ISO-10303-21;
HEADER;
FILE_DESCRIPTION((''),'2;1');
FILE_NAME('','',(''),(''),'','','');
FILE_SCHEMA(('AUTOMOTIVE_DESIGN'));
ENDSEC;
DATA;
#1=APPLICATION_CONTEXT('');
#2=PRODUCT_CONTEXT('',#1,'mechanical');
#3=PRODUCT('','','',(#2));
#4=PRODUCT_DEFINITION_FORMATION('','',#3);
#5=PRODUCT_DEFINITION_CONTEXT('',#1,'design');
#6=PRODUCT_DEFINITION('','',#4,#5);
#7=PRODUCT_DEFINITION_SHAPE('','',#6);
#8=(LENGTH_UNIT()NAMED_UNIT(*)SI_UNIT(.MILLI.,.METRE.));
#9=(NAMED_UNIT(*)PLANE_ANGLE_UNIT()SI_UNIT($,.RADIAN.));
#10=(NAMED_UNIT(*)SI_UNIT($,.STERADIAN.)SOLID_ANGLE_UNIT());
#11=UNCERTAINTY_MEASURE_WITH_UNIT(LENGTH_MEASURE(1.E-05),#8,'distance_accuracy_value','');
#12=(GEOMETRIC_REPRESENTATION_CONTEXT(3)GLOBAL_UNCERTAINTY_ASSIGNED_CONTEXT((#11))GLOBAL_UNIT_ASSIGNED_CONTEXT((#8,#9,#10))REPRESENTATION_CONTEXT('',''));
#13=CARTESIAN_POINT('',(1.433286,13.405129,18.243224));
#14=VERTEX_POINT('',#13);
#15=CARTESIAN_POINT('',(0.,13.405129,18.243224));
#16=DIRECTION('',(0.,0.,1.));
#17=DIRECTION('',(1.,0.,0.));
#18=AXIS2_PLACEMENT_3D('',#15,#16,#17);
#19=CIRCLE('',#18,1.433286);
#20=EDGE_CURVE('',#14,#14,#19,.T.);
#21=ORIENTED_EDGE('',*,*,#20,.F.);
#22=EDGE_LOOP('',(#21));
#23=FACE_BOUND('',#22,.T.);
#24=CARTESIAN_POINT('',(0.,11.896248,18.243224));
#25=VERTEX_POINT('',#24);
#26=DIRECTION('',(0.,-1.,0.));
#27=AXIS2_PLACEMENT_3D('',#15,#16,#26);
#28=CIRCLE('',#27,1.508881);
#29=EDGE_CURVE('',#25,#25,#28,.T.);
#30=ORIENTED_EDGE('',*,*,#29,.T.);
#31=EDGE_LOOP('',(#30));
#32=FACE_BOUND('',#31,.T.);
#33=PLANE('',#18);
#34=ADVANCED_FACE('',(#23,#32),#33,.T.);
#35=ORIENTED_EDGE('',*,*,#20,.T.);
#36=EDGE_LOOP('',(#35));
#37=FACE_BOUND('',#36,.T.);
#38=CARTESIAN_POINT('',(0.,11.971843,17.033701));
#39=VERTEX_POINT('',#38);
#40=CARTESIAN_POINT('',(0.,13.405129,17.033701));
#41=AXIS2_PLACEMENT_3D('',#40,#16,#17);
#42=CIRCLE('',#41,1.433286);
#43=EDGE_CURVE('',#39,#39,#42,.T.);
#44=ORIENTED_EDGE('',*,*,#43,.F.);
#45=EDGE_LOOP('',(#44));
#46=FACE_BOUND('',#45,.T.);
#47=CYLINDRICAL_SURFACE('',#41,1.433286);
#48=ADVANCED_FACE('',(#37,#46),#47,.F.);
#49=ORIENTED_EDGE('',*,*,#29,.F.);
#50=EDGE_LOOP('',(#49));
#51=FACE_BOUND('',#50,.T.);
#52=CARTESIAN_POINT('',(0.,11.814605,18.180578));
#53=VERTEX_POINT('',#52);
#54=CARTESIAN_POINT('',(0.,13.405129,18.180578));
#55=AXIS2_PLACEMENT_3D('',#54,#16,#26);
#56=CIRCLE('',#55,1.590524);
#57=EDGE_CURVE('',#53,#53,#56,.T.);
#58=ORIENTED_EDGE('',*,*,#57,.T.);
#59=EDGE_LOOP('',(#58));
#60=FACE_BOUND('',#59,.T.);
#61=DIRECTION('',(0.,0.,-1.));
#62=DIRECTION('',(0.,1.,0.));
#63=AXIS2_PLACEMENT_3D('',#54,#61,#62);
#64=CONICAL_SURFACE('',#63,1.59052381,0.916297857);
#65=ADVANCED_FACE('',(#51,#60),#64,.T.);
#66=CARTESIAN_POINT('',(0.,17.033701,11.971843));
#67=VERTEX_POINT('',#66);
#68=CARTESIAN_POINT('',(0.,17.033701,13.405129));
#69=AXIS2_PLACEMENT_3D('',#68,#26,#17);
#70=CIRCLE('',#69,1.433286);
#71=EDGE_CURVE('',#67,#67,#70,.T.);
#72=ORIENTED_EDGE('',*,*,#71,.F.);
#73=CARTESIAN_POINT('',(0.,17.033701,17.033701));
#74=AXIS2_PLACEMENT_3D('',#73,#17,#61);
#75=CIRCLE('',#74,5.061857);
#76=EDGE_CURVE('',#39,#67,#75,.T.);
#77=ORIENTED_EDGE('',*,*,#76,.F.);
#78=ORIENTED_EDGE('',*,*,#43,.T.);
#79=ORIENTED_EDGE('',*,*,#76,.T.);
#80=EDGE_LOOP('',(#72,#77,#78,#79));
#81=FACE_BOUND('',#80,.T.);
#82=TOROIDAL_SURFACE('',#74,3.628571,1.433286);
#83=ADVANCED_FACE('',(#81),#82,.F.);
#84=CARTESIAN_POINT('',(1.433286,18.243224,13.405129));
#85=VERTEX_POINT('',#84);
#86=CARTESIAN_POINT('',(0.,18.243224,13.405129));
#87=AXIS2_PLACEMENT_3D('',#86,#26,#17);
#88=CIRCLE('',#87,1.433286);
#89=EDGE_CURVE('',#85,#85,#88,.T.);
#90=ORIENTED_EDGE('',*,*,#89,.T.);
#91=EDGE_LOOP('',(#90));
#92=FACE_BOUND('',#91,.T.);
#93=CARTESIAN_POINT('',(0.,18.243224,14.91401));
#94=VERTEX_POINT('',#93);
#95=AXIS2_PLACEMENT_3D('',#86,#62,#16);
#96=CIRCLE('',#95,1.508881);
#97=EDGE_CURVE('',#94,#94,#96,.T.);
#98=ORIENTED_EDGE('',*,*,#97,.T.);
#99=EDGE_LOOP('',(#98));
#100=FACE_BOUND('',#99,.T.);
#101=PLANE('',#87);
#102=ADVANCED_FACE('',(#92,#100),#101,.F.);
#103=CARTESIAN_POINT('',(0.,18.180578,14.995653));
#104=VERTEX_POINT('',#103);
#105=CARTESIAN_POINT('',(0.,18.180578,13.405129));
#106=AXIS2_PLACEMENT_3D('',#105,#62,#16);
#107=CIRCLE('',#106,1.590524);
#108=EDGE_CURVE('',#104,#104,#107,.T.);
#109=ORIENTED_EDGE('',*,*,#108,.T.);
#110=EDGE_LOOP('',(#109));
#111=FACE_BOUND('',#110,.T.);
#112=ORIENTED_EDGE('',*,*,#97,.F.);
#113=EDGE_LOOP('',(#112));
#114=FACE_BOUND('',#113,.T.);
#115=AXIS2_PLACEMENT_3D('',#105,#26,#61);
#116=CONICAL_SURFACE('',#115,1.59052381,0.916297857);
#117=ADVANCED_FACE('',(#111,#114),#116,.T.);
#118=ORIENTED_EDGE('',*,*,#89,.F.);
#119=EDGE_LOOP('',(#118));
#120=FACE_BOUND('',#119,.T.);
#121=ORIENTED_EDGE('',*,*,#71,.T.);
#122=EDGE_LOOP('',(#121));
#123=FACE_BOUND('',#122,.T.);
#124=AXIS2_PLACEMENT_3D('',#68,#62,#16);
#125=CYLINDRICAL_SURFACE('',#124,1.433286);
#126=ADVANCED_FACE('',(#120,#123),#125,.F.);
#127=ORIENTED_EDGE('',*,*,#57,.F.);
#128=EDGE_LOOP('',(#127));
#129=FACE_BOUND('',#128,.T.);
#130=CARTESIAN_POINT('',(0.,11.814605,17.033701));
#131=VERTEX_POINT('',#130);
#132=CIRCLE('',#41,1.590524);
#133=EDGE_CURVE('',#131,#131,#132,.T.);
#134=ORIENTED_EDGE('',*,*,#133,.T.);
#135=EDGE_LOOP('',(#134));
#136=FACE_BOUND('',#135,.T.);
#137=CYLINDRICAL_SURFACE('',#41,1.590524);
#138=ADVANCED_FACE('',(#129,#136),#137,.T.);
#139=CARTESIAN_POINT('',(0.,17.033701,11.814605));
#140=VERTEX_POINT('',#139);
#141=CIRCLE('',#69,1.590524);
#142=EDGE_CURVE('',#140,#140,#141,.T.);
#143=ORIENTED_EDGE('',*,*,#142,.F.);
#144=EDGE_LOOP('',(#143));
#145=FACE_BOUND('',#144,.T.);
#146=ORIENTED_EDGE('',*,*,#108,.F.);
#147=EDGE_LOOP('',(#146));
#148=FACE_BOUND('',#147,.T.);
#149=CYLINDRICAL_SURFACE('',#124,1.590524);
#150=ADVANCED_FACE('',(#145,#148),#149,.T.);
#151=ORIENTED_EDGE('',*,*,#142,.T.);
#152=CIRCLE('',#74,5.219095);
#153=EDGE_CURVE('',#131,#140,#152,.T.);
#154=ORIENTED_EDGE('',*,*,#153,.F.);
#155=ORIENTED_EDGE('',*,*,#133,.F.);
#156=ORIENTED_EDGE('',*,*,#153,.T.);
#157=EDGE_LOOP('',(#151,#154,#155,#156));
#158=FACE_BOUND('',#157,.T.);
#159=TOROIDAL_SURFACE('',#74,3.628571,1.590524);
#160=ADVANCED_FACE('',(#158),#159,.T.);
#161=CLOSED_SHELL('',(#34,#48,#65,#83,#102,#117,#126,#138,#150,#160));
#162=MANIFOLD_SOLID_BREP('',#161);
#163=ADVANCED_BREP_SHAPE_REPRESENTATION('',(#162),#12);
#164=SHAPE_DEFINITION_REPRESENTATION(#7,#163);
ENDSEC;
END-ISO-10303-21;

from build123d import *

# Parameters (mm, degrees)
SKETCH2_R    = 16.7005
SKETCH2_R_2  = 15.0495
SCALE1_SCALE = 0.095238095


with BuildPart() as part:
    # Sweep1: sweep along a path in Sketch1
    with BuildLine(Plane(origin=(0, 0, 0), x_dir=(0, 0, -1), z_dir=(1, 0, 0))) as sweep1_path:
        Line((-50.8, 0), (-38.1, 0))
        ThreePointArc((-38.1, 0), (-11.159231637, 11.159231637), (0, 38.1))
        Line((0, 38.1), (0, 50.8))
    # Sketch2 → Sweep1 (sweep)
    with BuildSketch(Plane.XY.offset(50.8)):
        Circle(SKETCH2_R)
        Circle(SKETCH2_R_2, mode=Mode.SUBTRACT)
    sweep(path=sweep1_path.line)

    # Sketch3 → Cut-Revolve1 (revolve, cut)
    with BuildSketch(Plane(origin=(0, 0, 0), x_dir=(0, 1, 0), z_dir=(-1, 0, 0))):
        Polygon((-16.7005, -50.8), (-16.7005, -50.14220894), (-15.84325, -50.8), align=None)
    revolve(axis=Axis((0, 0, 50.8), (0, 0, -1)), mode=Mode.SUBTRACT)

    # Sketch3<4> → Cut-Revolve2 (revolve, cut)
    with BuildSketch(Plane(origin=(0, 0, 0), x_dir=(0, 1, 0), z_dir=(-1, 0, 0))):
        Polygon((50.8, 15.84325), (50.8, 16.7005), (50.14220894, 16.7005), align=None)
    revolve(axis=Axis((0, 50.8, 0), (0, -1, 0)), mode=Mode.SUBTRACT)


with BuildPart() as part_1:
    # Scale1: scaled about (0, 14.816195429, 14.816195429)
    add(part.part.scale(SCALE1_SCALE).moved(Location((0, 13.405129198, 13.405129198))))


solid = part_1.part
